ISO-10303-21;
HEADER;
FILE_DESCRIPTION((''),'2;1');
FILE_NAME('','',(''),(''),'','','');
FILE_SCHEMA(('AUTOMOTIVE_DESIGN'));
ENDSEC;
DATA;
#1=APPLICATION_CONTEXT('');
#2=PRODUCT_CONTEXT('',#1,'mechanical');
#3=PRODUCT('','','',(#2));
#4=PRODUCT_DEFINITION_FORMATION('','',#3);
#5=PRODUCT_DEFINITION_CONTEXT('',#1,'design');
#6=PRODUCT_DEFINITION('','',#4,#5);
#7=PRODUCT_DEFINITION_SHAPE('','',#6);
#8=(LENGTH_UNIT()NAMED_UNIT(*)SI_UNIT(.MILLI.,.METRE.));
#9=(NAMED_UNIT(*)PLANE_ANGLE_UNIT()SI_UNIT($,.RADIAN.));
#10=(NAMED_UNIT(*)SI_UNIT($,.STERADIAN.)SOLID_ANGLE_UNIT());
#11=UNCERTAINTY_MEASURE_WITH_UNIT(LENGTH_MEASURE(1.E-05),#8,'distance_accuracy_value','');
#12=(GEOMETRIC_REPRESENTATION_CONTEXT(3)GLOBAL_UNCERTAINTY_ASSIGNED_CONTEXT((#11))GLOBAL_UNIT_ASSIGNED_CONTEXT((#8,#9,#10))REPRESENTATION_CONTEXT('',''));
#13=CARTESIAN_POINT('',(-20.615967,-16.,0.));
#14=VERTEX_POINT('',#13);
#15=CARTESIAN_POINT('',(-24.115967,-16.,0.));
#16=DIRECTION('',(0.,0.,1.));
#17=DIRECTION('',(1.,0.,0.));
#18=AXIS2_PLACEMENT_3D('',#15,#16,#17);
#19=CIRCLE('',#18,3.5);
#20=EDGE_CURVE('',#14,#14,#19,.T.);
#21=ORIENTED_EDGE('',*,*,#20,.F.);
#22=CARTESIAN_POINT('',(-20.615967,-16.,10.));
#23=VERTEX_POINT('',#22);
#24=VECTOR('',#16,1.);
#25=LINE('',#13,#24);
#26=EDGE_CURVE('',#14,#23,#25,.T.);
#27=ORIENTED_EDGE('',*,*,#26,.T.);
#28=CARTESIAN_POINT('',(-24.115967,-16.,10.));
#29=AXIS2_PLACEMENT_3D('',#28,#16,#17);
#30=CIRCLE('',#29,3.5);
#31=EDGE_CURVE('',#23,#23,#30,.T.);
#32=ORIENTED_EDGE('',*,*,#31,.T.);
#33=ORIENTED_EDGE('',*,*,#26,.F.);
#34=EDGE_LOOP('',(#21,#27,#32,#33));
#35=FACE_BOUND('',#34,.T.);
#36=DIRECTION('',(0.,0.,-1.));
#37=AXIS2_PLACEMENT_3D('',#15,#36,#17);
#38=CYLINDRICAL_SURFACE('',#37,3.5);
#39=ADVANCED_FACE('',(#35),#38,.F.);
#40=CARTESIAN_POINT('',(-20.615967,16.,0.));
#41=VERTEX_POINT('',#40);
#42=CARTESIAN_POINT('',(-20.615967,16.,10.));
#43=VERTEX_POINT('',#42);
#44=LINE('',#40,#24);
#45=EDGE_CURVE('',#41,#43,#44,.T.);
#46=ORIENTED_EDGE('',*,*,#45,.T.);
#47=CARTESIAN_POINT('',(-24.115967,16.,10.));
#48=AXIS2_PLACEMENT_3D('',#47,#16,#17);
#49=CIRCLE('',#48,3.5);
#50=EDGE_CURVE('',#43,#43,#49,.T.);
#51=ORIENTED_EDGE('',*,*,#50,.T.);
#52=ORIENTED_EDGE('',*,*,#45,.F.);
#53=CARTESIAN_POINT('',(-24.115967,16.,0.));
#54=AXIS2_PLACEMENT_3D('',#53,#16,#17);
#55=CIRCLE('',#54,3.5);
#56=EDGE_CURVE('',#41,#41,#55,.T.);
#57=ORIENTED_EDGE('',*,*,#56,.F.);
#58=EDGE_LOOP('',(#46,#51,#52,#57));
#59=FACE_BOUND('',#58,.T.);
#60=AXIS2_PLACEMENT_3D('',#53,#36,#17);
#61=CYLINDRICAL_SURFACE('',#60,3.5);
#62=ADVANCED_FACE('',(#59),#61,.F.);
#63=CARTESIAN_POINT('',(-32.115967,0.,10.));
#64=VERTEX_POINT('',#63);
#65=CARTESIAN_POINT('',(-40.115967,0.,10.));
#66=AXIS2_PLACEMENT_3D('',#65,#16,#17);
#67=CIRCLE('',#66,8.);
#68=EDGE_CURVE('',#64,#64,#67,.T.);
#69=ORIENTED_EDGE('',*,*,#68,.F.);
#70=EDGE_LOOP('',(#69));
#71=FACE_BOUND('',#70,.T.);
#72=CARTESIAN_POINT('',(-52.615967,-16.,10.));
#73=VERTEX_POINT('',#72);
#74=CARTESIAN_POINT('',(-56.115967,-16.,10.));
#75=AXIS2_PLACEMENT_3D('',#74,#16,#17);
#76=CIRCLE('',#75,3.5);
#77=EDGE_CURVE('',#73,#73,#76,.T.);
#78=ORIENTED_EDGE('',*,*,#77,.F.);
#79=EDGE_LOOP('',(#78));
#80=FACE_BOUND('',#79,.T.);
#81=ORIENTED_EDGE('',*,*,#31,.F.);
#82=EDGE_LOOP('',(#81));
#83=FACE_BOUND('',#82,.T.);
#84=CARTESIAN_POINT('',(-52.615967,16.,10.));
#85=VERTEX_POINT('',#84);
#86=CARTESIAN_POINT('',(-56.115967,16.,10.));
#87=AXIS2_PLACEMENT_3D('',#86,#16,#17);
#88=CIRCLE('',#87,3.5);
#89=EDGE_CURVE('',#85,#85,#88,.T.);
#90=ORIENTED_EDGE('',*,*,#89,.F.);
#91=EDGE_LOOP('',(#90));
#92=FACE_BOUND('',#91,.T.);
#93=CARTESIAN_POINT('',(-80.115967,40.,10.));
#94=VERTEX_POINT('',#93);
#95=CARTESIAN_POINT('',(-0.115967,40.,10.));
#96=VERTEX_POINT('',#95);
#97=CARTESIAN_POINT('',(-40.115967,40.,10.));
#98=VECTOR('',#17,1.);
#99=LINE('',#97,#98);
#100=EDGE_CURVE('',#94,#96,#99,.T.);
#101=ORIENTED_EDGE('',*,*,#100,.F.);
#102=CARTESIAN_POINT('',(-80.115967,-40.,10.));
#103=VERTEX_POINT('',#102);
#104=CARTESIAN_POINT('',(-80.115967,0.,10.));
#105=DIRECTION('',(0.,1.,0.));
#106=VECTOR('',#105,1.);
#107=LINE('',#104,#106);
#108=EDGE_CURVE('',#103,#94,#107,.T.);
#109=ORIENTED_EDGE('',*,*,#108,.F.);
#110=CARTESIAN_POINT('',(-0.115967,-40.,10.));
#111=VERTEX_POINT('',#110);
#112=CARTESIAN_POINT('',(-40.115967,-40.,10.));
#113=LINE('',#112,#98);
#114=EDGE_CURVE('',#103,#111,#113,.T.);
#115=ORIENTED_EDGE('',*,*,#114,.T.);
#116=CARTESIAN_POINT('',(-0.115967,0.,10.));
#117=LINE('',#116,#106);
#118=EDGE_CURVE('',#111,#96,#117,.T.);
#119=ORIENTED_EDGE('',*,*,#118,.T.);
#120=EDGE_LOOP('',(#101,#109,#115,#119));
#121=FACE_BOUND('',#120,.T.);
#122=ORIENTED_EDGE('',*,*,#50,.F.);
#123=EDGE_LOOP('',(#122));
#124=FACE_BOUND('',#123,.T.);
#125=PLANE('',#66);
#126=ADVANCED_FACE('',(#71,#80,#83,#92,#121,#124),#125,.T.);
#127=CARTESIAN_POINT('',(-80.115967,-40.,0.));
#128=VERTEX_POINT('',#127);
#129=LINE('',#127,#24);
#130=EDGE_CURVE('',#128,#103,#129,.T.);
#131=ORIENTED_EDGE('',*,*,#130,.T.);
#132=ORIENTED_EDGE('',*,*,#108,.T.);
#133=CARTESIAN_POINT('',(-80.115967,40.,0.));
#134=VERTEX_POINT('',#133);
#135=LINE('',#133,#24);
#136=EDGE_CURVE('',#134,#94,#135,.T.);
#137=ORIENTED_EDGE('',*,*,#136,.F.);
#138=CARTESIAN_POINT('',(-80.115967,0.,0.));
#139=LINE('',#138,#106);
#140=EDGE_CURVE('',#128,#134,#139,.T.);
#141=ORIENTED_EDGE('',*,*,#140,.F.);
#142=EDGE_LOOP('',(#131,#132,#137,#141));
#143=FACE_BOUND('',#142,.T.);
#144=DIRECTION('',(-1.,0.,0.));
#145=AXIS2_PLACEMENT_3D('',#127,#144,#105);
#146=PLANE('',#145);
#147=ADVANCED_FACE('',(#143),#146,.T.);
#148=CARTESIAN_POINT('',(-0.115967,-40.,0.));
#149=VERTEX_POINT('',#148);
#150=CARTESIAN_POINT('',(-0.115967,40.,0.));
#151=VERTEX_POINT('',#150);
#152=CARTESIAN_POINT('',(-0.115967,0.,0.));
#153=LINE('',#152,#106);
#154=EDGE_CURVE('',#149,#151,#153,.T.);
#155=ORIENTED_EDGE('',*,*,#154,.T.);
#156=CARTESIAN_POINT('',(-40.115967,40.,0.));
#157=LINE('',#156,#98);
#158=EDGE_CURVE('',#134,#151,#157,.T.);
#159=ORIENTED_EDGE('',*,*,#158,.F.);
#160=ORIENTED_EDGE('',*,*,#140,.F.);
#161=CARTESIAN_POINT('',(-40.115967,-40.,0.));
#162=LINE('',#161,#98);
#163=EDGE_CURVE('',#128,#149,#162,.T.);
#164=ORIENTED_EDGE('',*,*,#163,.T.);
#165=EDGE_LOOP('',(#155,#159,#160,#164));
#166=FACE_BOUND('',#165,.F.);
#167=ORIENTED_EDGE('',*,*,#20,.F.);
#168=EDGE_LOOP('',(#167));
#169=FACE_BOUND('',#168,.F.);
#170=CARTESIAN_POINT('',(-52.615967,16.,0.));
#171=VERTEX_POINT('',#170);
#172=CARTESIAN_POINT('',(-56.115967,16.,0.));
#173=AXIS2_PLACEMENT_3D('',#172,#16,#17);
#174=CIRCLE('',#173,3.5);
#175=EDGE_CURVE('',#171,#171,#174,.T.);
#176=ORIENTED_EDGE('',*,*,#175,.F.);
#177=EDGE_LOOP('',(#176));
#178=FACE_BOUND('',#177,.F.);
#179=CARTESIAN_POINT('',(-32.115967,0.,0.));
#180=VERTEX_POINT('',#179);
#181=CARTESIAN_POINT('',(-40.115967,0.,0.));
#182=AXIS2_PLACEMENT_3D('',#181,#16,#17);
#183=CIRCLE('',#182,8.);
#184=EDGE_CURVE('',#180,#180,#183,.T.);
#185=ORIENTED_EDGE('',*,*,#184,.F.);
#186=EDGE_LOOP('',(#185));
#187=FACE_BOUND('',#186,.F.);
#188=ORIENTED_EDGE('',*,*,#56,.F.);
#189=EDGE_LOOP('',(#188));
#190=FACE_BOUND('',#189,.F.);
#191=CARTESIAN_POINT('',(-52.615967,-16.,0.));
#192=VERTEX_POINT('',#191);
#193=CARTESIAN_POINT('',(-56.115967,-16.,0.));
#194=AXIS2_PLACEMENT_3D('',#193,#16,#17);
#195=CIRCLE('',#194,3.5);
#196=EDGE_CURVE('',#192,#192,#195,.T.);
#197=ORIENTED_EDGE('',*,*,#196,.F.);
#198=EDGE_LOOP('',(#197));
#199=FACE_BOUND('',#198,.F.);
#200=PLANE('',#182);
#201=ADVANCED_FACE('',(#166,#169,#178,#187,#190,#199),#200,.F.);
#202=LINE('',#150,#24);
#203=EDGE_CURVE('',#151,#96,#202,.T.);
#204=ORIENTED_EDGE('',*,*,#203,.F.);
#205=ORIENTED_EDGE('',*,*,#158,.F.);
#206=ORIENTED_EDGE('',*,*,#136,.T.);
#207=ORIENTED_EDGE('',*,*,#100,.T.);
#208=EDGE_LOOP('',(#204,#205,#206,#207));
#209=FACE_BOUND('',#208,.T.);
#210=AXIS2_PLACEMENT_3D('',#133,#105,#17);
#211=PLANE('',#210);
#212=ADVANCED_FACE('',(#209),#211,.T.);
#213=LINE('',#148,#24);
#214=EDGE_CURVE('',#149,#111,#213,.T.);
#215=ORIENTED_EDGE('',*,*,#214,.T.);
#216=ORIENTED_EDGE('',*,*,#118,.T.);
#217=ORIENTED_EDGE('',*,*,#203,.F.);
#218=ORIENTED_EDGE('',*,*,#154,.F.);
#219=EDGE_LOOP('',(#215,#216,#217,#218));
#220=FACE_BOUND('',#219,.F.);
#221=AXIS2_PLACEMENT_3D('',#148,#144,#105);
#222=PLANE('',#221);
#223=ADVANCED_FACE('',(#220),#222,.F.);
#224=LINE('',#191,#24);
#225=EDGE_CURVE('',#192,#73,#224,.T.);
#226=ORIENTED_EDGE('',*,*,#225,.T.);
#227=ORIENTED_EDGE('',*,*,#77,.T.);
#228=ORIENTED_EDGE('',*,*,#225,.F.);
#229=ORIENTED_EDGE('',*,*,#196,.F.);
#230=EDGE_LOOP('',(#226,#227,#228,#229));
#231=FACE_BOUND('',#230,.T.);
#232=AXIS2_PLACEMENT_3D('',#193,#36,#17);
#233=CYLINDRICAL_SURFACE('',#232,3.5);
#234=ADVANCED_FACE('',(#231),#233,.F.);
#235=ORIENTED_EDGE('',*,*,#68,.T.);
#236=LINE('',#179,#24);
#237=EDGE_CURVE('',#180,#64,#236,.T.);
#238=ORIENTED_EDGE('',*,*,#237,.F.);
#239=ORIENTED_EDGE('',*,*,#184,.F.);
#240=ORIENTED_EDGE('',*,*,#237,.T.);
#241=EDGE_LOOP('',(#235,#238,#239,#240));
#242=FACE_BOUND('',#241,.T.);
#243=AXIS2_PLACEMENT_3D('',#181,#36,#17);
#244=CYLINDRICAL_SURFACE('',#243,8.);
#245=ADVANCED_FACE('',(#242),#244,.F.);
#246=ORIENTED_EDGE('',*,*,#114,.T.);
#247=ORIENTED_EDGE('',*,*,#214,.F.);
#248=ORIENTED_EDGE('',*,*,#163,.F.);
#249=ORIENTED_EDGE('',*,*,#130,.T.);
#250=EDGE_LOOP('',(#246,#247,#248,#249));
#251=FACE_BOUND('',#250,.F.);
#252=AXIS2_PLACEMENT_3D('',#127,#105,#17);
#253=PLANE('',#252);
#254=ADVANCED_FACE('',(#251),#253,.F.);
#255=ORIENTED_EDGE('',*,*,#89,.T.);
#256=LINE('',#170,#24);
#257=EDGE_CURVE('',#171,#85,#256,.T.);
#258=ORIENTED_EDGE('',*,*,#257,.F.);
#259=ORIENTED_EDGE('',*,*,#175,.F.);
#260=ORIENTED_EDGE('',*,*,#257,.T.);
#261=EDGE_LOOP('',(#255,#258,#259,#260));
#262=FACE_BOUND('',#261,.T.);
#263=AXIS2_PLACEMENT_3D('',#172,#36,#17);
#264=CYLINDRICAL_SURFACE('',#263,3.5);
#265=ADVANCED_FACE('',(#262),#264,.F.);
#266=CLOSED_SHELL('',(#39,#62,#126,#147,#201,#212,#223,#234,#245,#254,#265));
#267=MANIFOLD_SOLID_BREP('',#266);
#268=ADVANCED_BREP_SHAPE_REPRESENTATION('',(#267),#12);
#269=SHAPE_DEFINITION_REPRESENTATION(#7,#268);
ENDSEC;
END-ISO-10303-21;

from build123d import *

# Parameters (mm, degrees)
SKETCH_W   = 80
SKETCH_H   = 80
SKETCH_R   = 8
SKETCH_R_2 = 3.5
PAD_DEPTH  = 10


with BuildPart() as part:
    # Sketch → Pad (new body)
    with BuildSketch(Plane.XY):
        with Locations((-40.115967, 0)):
            Rectangle(SKETCH_W, SKETCH_H)
        with Locations((-40.115967, 0)):
            Circle(SKETCH_R, mode=Mode.SUBTRACT)
        with Locations((-24.115967, 16)):
            Circle(SKETCH_R_2, mode=Mode.SUBTRACT)
        with Locations((-56.115967, 16)):
            Circle(SKETCH_R_2, mode=Mode.SUBTRACT)
        with Locations((-56.115967, -16)):
            Circle(SKETCH_R_2, mode=Mode.SUBTRACT)
        with Locations((-24.115967, -16)):
            Circle(SKETCH_R_2, mode=Mode.SUBTRACT)
    extrude(amount=PAD_DEPTH)


solid = part.part
